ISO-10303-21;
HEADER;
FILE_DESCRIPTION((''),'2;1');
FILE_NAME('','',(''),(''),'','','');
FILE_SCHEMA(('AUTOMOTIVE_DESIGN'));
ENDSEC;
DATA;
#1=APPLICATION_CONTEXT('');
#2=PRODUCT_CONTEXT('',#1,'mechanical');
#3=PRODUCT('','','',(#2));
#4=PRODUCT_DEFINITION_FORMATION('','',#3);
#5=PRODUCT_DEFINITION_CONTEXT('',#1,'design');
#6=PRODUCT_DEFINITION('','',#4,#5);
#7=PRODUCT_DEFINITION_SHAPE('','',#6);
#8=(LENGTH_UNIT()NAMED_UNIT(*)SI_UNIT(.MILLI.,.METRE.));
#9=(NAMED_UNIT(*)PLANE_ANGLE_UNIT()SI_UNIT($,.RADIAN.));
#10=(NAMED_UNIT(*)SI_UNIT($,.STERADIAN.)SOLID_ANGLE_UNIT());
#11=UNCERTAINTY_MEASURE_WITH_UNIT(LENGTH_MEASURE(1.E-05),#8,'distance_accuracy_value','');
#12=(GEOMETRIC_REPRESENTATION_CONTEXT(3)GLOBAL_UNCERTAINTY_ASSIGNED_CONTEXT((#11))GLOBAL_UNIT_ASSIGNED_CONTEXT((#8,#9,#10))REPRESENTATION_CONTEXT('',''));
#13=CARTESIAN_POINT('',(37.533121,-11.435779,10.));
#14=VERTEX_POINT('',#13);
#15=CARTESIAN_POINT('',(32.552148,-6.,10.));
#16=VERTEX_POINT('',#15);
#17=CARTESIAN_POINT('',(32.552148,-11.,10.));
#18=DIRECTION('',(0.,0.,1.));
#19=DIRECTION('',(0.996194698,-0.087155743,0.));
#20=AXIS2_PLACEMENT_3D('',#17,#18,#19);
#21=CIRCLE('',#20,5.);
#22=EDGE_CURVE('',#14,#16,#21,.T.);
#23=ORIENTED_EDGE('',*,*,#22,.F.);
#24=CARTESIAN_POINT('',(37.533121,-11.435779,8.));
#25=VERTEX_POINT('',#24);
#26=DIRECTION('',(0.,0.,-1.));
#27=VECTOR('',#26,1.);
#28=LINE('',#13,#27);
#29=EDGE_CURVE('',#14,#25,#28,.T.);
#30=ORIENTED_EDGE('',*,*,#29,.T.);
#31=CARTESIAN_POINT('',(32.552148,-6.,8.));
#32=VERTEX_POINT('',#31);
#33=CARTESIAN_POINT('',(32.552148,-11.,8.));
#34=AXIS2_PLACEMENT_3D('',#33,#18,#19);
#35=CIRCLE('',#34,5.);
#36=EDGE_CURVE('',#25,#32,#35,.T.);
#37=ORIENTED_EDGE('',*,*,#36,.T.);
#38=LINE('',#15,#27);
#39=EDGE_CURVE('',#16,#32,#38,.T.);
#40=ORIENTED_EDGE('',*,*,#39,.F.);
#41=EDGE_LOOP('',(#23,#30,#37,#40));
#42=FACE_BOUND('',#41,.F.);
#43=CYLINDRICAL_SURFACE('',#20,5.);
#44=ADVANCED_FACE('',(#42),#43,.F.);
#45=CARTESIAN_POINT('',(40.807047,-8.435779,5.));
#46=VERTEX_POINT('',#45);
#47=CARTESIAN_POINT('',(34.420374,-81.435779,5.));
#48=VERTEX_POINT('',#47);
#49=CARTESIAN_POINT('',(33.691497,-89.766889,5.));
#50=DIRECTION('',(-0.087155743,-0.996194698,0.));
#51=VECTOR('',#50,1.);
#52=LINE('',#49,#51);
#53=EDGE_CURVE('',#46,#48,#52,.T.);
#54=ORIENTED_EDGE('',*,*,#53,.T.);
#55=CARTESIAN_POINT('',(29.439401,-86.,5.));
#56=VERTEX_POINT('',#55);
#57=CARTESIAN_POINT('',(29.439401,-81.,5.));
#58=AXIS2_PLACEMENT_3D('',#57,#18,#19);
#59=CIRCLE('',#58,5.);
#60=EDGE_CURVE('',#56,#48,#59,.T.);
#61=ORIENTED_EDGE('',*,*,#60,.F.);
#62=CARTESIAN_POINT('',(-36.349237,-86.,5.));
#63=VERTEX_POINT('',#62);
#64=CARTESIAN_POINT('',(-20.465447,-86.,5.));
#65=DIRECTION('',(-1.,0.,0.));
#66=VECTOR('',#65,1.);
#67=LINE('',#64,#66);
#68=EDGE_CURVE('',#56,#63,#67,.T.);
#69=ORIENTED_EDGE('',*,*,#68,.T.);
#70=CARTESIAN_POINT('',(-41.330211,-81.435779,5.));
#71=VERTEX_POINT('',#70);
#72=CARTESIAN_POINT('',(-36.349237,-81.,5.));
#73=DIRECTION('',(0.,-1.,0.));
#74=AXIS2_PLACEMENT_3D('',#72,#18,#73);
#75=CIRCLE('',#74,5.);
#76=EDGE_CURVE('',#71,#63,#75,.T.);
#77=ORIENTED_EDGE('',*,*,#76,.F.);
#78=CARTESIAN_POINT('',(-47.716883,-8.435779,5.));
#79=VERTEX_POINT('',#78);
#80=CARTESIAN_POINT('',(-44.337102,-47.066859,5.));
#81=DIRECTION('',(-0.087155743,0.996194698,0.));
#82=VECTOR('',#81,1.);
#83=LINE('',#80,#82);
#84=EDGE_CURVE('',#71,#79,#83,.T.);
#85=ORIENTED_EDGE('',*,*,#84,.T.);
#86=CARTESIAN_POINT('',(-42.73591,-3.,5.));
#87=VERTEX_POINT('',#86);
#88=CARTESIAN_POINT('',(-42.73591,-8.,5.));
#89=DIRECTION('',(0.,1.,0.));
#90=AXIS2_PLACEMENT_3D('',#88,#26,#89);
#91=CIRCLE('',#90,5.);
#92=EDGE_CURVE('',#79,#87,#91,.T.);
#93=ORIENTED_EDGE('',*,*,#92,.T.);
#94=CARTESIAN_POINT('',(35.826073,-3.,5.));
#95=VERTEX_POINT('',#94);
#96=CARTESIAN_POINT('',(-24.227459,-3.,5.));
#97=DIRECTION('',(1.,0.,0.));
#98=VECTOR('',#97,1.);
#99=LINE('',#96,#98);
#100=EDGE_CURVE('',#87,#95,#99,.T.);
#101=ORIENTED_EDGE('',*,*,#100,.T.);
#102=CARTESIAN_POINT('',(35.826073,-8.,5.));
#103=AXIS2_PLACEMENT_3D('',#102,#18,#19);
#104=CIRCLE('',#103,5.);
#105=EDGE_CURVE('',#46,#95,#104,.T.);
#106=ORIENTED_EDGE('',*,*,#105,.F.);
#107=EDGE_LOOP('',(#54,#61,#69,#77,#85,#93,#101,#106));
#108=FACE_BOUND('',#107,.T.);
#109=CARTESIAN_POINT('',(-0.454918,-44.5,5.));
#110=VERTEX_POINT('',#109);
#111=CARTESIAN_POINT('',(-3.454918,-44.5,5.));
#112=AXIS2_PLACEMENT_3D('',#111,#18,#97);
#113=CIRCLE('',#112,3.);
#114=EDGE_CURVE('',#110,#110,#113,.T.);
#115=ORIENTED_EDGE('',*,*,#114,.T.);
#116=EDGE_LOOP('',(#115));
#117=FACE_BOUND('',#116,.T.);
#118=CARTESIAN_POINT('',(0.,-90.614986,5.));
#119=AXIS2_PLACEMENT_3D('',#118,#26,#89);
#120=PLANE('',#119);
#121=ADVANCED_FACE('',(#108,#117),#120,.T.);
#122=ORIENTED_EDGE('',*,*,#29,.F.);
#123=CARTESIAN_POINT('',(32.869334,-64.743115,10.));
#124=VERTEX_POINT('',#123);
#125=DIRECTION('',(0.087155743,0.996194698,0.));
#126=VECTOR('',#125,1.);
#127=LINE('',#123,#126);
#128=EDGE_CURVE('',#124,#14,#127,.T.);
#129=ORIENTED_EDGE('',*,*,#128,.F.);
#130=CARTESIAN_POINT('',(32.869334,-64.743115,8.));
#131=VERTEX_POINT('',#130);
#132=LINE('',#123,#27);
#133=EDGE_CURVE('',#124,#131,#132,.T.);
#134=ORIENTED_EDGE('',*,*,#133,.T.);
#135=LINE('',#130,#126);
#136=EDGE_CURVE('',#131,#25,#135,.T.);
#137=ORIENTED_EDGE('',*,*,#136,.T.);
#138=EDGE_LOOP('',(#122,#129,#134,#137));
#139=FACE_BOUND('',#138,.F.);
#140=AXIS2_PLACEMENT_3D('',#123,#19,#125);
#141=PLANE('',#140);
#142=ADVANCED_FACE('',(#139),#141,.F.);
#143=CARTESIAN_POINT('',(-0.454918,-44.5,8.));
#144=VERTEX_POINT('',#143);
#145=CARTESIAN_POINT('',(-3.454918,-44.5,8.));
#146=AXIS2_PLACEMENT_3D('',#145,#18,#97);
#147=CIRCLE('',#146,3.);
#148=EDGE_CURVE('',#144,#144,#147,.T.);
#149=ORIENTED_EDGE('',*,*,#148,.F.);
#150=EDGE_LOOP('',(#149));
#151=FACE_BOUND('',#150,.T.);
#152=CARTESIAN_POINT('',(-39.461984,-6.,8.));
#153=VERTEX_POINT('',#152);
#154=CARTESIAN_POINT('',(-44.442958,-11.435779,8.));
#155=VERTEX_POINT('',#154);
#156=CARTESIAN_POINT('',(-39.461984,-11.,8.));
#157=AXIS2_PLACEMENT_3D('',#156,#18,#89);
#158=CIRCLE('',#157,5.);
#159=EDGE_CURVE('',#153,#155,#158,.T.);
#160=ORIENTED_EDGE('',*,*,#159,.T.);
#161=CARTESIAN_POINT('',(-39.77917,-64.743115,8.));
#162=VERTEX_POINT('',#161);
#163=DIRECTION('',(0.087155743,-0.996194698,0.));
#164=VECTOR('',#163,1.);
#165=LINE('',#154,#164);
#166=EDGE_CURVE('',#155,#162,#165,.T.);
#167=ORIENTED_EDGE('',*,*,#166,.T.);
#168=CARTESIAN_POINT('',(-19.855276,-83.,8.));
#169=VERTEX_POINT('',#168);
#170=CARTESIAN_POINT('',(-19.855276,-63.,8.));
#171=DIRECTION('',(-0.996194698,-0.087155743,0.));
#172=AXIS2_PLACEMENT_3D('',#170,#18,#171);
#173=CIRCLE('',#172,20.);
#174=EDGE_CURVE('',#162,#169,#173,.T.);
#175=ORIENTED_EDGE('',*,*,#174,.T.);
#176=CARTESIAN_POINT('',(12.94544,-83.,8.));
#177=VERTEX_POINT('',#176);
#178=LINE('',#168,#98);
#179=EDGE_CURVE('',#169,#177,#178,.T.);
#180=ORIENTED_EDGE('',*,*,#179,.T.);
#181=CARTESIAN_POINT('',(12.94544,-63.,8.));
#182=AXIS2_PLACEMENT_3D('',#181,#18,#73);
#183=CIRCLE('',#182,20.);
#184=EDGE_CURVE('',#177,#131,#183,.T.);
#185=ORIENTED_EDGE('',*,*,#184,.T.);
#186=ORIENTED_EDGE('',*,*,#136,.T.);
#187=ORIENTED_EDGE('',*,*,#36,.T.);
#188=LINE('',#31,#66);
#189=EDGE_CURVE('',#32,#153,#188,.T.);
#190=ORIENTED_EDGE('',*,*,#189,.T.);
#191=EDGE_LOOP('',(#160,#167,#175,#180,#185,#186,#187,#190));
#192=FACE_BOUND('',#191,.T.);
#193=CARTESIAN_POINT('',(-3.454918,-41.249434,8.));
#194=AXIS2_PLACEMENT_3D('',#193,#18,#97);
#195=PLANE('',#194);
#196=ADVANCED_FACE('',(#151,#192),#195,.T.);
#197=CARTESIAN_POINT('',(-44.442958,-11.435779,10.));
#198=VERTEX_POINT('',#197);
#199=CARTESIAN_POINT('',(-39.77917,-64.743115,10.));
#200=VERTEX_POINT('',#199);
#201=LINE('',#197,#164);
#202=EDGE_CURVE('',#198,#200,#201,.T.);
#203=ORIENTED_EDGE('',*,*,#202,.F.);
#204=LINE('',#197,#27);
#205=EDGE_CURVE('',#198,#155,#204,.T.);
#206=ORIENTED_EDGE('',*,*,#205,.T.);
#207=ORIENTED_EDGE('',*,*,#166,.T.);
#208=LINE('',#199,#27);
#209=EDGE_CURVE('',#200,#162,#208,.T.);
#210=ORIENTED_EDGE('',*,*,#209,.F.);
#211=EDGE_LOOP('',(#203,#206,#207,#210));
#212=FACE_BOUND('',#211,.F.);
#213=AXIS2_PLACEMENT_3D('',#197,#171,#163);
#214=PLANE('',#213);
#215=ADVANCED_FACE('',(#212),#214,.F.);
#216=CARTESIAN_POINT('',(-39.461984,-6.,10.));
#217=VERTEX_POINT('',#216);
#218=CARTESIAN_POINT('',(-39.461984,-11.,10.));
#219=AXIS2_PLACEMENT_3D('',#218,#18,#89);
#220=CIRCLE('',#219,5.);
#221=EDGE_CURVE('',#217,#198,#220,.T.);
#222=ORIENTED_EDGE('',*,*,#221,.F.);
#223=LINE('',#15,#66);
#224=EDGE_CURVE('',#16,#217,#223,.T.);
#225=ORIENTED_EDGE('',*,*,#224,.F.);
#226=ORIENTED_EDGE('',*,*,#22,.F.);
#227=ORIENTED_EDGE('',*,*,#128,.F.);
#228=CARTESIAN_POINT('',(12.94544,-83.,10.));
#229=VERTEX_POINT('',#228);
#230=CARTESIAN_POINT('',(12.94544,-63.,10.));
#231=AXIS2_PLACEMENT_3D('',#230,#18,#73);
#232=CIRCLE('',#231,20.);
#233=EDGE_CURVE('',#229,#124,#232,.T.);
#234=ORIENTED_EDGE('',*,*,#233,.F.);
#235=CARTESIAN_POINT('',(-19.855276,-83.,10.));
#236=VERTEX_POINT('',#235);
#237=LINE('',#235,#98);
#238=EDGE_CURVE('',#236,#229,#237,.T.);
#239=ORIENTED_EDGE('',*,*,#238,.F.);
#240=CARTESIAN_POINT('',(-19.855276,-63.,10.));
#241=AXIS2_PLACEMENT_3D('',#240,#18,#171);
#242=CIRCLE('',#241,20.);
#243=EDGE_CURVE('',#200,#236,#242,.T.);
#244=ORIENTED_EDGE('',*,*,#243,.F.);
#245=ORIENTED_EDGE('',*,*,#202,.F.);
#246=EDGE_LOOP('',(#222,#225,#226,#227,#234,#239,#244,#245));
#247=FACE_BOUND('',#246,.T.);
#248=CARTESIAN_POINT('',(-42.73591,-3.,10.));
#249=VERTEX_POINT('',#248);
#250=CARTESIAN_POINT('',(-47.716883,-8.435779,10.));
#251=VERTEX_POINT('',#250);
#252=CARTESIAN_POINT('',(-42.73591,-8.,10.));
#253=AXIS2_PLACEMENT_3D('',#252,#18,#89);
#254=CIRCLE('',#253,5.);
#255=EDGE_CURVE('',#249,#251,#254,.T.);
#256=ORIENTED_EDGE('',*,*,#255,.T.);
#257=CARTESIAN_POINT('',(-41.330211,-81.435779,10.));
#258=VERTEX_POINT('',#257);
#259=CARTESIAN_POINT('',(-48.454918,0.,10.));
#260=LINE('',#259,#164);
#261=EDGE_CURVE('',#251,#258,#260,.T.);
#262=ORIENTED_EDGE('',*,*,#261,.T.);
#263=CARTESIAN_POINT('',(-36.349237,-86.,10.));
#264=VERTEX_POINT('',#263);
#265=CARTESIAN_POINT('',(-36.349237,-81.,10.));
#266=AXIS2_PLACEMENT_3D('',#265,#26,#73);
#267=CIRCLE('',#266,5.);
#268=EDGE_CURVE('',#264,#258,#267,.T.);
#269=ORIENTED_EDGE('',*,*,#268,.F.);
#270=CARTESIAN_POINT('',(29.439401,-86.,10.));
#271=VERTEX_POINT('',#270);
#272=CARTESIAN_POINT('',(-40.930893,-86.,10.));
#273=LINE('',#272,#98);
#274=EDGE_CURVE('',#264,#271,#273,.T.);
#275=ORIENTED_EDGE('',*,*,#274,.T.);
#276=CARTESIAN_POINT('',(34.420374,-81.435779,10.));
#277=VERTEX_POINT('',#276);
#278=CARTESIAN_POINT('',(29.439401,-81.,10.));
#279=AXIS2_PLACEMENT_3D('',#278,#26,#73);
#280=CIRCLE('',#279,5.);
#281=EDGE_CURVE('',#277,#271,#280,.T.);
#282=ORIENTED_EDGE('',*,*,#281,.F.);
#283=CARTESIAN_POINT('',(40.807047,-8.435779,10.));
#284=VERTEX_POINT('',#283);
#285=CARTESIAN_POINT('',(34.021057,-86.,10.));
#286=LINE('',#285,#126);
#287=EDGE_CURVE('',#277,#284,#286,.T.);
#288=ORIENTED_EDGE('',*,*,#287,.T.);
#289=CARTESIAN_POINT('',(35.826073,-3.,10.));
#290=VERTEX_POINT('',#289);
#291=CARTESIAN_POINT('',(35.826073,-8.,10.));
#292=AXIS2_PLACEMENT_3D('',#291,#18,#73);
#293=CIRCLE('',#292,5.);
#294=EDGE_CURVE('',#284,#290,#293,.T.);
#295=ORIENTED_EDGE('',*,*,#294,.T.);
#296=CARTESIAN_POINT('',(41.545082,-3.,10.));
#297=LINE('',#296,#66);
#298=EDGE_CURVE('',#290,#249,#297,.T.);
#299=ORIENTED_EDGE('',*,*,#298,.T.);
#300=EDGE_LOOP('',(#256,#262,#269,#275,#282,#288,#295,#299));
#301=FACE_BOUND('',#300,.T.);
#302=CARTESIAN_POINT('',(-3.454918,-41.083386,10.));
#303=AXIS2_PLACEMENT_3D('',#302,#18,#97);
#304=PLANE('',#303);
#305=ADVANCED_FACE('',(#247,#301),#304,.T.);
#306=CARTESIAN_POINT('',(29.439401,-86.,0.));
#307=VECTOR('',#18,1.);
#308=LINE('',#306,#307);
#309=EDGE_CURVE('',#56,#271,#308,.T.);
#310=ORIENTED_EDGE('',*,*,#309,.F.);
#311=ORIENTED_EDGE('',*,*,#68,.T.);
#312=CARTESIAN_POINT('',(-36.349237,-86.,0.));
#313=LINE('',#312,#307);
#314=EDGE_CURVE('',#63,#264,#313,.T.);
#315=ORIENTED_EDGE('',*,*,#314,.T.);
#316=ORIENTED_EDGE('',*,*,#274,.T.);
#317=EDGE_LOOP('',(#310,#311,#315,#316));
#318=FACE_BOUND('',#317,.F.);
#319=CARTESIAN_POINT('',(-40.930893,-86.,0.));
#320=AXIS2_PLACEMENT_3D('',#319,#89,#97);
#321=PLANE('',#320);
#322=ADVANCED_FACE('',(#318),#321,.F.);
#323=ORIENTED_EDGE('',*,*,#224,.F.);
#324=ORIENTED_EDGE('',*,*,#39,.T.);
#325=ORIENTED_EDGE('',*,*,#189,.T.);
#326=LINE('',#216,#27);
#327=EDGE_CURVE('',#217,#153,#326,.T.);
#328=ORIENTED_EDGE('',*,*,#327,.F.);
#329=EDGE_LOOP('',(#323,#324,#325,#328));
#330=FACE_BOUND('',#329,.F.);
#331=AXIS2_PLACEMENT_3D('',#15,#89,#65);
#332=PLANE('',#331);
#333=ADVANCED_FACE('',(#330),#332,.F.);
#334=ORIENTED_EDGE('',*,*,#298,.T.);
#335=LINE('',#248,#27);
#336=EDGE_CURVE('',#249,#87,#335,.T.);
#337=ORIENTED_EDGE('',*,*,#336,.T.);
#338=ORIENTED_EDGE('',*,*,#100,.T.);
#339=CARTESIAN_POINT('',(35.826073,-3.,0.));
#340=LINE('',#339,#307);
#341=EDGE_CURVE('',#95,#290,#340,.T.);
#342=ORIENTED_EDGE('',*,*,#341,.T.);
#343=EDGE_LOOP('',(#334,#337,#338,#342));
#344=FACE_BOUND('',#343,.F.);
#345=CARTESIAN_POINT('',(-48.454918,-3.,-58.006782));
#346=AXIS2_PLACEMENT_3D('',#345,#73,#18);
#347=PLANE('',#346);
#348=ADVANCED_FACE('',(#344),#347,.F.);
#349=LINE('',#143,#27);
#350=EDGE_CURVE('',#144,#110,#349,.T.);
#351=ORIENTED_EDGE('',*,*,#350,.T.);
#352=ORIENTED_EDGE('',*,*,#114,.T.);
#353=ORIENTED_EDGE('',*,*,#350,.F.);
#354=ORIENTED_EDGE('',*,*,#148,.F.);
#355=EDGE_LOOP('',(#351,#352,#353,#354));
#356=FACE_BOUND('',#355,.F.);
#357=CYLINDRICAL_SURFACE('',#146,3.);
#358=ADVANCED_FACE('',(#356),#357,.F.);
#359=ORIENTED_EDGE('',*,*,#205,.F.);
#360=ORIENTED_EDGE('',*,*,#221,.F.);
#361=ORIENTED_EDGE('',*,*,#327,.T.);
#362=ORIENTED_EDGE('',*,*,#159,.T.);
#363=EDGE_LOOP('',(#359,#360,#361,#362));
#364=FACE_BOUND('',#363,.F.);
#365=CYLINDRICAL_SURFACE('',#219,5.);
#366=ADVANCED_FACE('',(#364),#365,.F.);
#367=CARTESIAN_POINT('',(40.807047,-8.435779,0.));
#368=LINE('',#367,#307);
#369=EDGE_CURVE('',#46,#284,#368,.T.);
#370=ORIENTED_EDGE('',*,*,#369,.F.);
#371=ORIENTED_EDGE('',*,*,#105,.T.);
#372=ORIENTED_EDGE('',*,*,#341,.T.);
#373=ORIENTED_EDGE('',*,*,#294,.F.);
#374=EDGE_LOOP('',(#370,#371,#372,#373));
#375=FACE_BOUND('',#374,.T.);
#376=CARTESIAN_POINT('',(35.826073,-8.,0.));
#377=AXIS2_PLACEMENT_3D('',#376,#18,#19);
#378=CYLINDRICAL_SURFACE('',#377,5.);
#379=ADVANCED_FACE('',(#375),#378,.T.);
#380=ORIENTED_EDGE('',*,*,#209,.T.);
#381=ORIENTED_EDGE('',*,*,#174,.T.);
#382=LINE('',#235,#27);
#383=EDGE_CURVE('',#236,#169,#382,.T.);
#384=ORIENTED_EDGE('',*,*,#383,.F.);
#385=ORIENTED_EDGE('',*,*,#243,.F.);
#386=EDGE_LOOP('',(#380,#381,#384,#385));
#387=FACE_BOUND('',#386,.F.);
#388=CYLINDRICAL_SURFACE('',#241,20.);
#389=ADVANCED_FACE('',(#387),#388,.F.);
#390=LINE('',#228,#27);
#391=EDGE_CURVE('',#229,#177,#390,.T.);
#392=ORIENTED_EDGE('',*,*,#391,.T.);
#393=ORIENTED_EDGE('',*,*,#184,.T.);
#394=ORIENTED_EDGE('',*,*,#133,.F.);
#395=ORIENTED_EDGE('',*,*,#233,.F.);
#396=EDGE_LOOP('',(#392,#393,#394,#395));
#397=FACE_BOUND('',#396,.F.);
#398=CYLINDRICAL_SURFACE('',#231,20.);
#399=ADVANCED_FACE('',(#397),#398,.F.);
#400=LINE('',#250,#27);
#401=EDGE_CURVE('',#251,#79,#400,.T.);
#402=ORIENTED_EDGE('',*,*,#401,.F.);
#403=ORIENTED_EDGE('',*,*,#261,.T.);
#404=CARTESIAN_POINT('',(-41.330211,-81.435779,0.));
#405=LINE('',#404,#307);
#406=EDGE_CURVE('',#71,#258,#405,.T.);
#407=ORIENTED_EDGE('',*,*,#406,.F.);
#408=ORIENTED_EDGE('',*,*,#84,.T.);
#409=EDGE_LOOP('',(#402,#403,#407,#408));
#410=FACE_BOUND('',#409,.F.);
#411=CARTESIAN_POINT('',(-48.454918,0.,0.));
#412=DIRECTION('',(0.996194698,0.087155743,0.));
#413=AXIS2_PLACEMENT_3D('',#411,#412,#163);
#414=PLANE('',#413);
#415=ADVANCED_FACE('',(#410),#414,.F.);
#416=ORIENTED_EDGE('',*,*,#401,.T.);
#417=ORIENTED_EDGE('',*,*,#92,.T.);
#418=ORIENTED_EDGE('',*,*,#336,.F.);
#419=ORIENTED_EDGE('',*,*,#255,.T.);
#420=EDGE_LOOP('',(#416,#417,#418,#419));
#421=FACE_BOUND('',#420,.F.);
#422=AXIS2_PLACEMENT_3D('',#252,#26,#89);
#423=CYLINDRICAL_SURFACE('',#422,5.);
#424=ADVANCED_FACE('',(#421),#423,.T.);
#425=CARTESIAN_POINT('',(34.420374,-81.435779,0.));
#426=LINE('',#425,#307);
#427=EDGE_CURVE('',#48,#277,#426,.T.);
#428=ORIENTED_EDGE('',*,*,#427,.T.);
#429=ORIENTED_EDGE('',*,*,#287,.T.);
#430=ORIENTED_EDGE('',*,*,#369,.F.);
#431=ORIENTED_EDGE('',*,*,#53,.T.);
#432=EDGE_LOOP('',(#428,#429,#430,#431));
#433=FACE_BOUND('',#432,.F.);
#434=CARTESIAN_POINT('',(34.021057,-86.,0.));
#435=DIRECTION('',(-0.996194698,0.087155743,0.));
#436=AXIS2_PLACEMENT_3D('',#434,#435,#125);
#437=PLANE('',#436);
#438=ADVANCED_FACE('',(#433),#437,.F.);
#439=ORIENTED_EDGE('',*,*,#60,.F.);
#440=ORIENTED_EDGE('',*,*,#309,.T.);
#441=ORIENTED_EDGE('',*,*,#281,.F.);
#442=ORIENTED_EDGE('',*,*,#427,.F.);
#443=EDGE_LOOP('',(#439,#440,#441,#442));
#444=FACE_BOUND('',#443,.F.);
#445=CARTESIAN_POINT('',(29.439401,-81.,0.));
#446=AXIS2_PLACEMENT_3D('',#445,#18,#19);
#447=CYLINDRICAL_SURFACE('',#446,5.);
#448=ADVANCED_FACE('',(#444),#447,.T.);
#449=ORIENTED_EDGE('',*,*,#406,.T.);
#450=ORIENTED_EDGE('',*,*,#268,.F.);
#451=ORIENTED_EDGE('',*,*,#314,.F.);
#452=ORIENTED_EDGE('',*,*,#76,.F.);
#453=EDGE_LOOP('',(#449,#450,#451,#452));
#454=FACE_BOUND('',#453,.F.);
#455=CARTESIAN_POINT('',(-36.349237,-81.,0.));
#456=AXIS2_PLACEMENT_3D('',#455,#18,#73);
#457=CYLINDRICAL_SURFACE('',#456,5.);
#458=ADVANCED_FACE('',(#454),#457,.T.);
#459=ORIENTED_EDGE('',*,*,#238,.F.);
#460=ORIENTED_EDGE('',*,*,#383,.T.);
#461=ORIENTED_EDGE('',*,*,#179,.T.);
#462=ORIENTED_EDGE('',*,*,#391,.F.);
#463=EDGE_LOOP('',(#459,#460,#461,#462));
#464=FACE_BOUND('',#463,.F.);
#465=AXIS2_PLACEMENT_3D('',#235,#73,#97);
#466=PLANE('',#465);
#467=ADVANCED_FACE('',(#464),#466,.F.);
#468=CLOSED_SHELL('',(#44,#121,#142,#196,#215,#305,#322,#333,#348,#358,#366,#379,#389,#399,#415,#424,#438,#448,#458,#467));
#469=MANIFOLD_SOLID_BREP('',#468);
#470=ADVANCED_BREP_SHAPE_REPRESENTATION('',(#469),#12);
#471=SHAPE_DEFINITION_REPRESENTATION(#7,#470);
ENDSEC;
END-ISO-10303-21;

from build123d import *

# Parameters (mm, degrees)
F1_DEPTH  = 10
F2_W      = 90
F2_H      = 40
F2_H_2    = 10
F3_DEPTH  = 10
F4_R      = 5
F5_R      = 4
F6_DEPTH  = 25
F7_R      = 3
F8_R      = 3
F10_DEPTH = 2
F11_R     = 3
F12_DEPTH = 25
F13_W     = 33.655686304
F13_H     = 120.6225939095
F14_DEPTH = 90.001
F15_R     = 5
F16_W     = 90.2396612329
F16_H     = 12.9153318724
F17_DEPTH = 50


with BuildPart() as f1:
    # F0 (on Top) → F1 (new body)
    with BuildSketch(Plane.XY):
        Polygon((41.5450818927, 0), (-48.4549181073, 0), (-40.9308930441, -86), (34.0210568295, -86), align=None)
    extrude(amount=F1_DEPTH)

    # F2 (on face) → F3 (join)
    with BuildSketch(Plane(origin=(0, 0, 0), x_dir=(-1, 0, 0), z_dir=(0, 1, 0))):
        with Locations((3.4549181073, 30)):
            Rectangle(F2_W, F2_H)
        with Locations((3.4549181073, 5)):
            Rectangle(F2_W, F2_H_2)
        with Locations((3.4549181073, -20)):
            Rectangle(F2_W, F2_H)
    extrude(amount=F3_DEPTH)

    # F4
    f4_edges = [f1.edges().sort_by_distance(p)[0] for p in [
        (-40.930893, -86, 5),
        (34.021057, -86, 5),
    ]]
    fillet(f4_edges, radius=F4_R)

    # F5 (on face) → F6 (cut)
    with BuildSketch(Plane.XZ):
        with Locations((-28.4549181073, 40)):
            Circle(F5_R)
        with Locations((21.5450818927, 40)):
            Circle(F5_R)
    extrude(amount=-F6_DEPTH, mode=Mode.SUBTRACT)

    # F7
    f7_edges = [f1.edges().sort_by_distance(p)[0] for p in [
        (-48.454918, 5, 50),
        (41.545082, 5, 50),
        (41.545082, 5, -40),
        (-48.454918, 5, -40),
    ]]
    fillet(f7_edges, radius=F7_R)

    # F8
    f8_edges = [f1.edges().sort_by_distance(p)[0] for p in [
        (-3.454918, 0, 10),
    ]]
    fillet(f8_edges, radius=F8_R)

    # F9 (on face) → F10 (cut)
    with BuildSketch(Plane.XY.offset(10)):
        with BuildLine():
            ThreePointArc((37.533121384, -11.4357787137), (36.2385345776, -7.6220489619), (32.5521478936, -6))
            Line((32.5521478936, -6), (-39.4619841082, -6))
            ThreePointArc((-39.4619841082, -6), (-43.1483707922, -7.6220489619), (-44.4429575986, -11.4357787137))
            Line((-44.4429575986, -11.4357787137), (-39.7791700035, -64.743114855))
            ThreePointArc((-39.7791700035, -64.743114855), (-33.367080194, -77.7455467362), (-19.8552760417, -83))
            Line((-19.8552760417, -83), (12.9454398271, -83))
            ThreePointArc((12.9454398271, -83), (26.4572439794, -77.7455467362), (32.8693337889, -64.743114855))
            Line((32.8693337889, -64.743114855), (37.533121384, -11.4357787137))
        make_face()
    extrude(amount=-F10_DEPTH, mode=Mode.SUBTRACT)

    # F11 (on face) → F12 (cut)
    with BuildSketch(Plane.XY.offset(8)):
        with Locations((-3.4549181073, -44.5)):
            Circle(F11_R)
    extrude(amount=-F12_DEPTH, mode=Mode.SUBTRACT)

    # F13 (on face) → F14 (cut, through all)
    with BuildSketch(Plane(origin=(-48.4549181073, 0, 0), x_dir=(0, -1, 0), z_dir=(-1, 0, 0))):
        with Locations((-13.827843152, 2.30451487)):
            Rectangle(F13_W, F13_H)
    extrude(amount=-F14_DEPTH, mode=Mode.SUBTRACT)

    # F15
    f15_edges = [f1.edges().sort_by_distance(p)[0] for p in [
        (-48.192452, -3, 5),
        (41.282616, -3, 5),
    ]]
    fillet(f15_edges, radius=F15_R)

    # F16 (on Right) → F17 (cut, symmetric)
    with BuildSketch(Plane.YZ):
        with Locations((-45.4951552674, -1.4576659362)):
            Rectangle(F16_W, F16_H)
    extrude(amount=F17_DEPTH, both=True, mode=Mode.SUBTRACT)


solid = f1.part
